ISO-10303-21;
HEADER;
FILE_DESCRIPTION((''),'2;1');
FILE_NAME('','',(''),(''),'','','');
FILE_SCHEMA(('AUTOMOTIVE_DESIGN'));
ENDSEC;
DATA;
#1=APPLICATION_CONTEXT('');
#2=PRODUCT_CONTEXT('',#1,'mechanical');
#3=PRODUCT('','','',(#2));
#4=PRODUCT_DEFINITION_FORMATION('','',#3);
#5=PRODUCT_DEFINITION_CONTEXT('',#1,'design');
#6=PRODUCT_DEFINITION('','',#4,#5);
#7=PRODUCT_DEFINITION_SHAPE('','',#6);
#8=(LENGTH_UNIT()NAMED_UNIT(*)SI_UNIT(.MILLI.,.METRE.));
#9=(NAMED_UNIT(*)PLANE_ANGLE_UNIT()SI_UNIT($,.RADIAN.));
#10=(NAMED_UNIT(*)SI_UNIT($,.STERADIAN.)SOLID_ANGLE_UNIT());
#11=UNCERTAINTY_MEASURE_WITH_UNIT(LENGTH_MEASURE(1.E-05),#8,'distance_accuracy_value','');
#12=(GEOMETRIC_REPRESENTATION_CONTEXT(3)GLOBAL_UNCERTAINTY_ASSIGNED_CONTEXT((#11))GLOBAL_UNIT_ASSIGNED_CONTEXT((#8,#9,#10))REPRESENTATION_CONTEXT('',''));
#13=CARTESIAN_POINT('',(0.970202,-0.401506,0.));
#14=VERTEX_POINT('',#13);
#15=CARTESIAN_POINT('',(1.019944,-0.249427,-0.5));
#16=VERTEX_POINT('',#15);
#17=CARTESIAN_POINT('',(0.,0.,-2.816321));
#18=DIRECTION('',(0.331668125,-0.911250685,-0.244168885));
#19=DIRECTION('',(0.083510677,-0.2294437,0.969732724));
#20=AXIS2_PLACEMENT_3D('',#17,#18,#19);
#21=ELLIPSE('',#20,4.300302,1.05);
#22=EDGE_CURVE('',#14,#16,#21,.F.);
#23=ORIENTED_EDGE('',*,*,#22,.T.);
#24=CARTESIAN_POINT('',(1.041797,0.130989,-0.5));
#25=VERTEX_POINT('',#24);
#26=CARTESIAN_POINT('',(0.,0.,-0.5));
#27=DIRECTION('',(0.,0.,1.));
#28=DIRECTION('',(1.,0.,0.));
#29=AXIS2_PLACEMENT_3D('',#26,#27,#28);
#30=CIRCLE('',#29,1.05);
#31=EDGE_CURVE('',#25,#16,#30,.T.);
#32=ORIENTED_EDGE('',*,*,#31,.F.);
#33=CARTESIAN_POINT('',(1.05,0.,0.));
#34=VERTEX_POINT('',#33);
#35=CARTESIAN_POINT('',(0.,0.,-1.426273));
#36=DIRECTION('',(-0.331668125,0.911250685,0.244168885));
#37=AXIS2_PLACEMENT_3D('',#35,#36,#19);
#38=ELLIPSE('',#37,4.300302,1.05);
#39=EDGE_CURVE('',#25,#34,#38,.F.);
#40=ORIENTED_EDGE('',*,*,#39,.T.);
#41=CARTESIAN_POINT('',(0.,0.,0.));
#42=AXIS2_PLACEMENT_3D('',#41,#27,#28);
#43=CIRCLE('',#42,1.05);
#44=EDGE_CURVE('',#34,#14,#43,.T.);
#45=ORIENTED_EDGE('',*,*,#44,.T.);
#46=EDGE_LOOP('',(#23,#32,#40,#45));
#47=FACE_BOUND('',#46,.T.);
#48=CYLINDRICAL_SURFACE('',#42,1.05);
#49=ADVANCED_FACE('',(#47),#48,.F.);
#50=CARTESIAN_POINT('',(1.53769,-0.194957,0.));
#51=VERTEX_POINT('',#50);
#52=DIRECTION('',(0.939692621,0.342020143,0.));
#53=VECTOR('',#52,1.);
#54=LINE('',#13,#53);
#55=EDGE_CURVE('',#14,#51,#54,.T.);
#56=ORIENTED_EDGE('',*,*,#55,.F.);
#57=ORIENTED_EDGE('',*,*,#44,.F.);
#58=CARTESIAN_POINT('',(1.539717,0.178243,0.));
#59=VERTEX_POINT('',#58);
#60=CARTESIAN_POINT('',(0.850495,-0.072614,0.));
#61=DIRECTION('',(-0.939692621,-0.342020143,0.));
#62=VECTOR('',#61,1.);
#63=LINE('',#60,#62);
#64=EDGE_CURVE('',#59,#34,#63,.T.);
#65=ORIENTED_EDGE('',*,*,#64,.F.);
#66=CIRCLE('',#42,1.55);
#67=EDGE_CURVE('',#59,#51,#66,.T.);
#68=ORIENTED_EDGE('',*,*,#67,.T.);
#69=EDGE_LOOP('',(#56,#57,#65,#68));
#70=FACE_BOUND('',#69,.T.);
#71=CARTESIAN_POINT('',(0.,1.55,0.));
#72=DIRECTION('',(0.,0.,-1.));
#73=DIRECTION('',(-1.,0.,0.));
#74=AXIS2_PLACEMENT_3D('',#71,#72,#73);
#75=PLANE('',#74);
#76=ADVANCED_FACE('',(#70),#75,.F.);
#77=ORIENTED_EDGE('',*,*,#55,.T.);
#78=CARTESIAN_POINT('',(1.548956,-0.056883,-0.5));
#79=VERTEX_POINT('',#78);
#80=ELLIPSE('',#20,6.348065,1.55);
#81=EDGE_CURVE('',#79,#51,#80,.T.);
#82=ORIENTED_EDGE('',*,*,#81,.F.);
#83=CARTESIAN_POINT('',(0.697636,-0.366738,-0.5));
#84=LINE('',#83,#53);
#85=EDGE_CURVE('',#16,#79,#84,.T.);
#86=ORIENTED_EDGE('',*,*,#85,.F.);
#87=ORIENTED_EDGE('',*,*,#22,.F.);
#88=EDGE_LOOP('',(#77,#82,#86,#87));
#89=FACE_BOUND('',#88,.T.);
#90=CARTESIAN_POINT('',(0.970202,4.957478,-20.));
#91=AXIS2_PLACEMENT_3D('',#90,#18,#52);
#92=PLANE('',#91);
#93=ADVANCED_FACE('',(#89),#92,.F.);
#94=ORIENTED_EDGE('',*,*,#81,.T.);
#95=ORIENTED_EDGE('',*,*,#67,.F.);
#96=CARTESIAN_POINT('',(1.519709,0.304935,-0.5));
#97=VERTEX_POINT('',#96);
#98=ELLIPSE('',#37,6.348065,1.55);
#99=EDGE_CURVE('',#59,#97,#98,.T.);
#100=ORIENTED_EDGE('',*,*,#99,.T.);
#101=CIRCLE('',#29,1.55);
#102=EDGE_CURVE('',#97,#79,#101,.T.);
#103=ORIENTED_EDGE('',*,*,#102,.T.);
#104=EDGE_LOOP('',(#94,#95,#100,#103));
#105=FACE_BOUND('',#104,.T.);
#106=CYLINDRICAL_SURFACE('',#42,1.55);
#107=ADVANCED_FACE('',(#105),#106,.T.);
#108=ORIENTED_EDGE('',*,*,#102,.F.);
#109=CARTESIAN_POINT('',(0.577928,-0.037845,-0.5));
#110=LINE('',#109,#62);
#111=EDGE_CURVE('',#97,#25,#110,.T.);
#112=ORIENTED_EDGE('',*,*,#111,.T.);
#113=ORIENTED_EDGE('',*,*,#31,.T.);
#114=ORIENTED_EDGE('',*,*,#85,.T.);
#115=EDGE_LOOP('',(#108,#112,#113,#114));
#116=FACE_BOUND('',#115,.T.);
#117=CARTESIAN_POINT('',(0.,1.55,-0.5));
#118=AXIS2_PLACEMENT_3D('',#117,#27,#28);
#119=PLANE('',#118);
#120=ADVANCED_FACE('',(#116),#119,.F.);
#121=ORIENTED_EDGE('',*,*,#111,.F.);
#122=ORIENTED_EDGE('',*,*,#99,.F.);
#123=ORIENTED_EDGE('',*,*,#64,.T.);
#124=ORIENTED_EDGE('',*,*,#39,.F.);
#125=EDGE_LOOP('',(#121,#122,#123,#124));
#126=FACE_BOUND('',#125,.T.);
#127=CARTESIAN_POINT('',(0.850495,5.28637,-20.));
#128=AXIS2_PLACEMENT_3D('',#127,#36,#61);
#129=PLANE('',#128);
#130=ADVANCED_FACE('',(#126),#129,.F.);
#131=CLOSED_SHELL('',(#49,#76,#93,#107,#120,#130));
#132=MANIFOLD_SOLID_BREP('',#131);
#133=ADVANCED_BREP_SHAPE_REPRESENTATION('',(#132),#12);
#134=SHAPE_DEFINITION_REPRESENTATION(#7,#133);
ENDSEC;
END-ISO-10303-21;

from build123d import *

# Parameters (mm, degrees)
SKETCH_1_W = 0.5
SKETCH_1_H = 0.5


with BuildPart() as part:
    # Эскиз1 → Revolve 170 (revolve)
    with BuildSketch(Plane(origin=(0, 0, 0), x_dir=(0, 0, -1), z_dir=(1, 0, 0))):
        with Locations((0.25, 1.3)):
            Rectangle(SKETCH_1_W, SKETCH_1_H)
    revolve(axis=Axis((0, 0, 0), (0, 0, -1)))

    # Вырез-По траектории1: sweep along a path in Эскиз3
    with BuildLine(Plane(origin=(0, 0, 0), x_dir=(0, 0, -1), z_dir=(1, 0, 0))) as sweep_1_path:
        Line((0, 0), (20, 5.358983849))
    # Эскиз2 → Вырез-По траектории1 (sweep, cut)
    with BuildSketch(Plane.XY):
        Polygon((0.850495409, -0.072613733), (1.95362449, 0.328892417), (2.07333154, 0), (0.970202459, -0.40150615), align=None)
    sweep(path=sweep_1_path.line, mode=Mode.SUBTRACT)


solid = part.part
